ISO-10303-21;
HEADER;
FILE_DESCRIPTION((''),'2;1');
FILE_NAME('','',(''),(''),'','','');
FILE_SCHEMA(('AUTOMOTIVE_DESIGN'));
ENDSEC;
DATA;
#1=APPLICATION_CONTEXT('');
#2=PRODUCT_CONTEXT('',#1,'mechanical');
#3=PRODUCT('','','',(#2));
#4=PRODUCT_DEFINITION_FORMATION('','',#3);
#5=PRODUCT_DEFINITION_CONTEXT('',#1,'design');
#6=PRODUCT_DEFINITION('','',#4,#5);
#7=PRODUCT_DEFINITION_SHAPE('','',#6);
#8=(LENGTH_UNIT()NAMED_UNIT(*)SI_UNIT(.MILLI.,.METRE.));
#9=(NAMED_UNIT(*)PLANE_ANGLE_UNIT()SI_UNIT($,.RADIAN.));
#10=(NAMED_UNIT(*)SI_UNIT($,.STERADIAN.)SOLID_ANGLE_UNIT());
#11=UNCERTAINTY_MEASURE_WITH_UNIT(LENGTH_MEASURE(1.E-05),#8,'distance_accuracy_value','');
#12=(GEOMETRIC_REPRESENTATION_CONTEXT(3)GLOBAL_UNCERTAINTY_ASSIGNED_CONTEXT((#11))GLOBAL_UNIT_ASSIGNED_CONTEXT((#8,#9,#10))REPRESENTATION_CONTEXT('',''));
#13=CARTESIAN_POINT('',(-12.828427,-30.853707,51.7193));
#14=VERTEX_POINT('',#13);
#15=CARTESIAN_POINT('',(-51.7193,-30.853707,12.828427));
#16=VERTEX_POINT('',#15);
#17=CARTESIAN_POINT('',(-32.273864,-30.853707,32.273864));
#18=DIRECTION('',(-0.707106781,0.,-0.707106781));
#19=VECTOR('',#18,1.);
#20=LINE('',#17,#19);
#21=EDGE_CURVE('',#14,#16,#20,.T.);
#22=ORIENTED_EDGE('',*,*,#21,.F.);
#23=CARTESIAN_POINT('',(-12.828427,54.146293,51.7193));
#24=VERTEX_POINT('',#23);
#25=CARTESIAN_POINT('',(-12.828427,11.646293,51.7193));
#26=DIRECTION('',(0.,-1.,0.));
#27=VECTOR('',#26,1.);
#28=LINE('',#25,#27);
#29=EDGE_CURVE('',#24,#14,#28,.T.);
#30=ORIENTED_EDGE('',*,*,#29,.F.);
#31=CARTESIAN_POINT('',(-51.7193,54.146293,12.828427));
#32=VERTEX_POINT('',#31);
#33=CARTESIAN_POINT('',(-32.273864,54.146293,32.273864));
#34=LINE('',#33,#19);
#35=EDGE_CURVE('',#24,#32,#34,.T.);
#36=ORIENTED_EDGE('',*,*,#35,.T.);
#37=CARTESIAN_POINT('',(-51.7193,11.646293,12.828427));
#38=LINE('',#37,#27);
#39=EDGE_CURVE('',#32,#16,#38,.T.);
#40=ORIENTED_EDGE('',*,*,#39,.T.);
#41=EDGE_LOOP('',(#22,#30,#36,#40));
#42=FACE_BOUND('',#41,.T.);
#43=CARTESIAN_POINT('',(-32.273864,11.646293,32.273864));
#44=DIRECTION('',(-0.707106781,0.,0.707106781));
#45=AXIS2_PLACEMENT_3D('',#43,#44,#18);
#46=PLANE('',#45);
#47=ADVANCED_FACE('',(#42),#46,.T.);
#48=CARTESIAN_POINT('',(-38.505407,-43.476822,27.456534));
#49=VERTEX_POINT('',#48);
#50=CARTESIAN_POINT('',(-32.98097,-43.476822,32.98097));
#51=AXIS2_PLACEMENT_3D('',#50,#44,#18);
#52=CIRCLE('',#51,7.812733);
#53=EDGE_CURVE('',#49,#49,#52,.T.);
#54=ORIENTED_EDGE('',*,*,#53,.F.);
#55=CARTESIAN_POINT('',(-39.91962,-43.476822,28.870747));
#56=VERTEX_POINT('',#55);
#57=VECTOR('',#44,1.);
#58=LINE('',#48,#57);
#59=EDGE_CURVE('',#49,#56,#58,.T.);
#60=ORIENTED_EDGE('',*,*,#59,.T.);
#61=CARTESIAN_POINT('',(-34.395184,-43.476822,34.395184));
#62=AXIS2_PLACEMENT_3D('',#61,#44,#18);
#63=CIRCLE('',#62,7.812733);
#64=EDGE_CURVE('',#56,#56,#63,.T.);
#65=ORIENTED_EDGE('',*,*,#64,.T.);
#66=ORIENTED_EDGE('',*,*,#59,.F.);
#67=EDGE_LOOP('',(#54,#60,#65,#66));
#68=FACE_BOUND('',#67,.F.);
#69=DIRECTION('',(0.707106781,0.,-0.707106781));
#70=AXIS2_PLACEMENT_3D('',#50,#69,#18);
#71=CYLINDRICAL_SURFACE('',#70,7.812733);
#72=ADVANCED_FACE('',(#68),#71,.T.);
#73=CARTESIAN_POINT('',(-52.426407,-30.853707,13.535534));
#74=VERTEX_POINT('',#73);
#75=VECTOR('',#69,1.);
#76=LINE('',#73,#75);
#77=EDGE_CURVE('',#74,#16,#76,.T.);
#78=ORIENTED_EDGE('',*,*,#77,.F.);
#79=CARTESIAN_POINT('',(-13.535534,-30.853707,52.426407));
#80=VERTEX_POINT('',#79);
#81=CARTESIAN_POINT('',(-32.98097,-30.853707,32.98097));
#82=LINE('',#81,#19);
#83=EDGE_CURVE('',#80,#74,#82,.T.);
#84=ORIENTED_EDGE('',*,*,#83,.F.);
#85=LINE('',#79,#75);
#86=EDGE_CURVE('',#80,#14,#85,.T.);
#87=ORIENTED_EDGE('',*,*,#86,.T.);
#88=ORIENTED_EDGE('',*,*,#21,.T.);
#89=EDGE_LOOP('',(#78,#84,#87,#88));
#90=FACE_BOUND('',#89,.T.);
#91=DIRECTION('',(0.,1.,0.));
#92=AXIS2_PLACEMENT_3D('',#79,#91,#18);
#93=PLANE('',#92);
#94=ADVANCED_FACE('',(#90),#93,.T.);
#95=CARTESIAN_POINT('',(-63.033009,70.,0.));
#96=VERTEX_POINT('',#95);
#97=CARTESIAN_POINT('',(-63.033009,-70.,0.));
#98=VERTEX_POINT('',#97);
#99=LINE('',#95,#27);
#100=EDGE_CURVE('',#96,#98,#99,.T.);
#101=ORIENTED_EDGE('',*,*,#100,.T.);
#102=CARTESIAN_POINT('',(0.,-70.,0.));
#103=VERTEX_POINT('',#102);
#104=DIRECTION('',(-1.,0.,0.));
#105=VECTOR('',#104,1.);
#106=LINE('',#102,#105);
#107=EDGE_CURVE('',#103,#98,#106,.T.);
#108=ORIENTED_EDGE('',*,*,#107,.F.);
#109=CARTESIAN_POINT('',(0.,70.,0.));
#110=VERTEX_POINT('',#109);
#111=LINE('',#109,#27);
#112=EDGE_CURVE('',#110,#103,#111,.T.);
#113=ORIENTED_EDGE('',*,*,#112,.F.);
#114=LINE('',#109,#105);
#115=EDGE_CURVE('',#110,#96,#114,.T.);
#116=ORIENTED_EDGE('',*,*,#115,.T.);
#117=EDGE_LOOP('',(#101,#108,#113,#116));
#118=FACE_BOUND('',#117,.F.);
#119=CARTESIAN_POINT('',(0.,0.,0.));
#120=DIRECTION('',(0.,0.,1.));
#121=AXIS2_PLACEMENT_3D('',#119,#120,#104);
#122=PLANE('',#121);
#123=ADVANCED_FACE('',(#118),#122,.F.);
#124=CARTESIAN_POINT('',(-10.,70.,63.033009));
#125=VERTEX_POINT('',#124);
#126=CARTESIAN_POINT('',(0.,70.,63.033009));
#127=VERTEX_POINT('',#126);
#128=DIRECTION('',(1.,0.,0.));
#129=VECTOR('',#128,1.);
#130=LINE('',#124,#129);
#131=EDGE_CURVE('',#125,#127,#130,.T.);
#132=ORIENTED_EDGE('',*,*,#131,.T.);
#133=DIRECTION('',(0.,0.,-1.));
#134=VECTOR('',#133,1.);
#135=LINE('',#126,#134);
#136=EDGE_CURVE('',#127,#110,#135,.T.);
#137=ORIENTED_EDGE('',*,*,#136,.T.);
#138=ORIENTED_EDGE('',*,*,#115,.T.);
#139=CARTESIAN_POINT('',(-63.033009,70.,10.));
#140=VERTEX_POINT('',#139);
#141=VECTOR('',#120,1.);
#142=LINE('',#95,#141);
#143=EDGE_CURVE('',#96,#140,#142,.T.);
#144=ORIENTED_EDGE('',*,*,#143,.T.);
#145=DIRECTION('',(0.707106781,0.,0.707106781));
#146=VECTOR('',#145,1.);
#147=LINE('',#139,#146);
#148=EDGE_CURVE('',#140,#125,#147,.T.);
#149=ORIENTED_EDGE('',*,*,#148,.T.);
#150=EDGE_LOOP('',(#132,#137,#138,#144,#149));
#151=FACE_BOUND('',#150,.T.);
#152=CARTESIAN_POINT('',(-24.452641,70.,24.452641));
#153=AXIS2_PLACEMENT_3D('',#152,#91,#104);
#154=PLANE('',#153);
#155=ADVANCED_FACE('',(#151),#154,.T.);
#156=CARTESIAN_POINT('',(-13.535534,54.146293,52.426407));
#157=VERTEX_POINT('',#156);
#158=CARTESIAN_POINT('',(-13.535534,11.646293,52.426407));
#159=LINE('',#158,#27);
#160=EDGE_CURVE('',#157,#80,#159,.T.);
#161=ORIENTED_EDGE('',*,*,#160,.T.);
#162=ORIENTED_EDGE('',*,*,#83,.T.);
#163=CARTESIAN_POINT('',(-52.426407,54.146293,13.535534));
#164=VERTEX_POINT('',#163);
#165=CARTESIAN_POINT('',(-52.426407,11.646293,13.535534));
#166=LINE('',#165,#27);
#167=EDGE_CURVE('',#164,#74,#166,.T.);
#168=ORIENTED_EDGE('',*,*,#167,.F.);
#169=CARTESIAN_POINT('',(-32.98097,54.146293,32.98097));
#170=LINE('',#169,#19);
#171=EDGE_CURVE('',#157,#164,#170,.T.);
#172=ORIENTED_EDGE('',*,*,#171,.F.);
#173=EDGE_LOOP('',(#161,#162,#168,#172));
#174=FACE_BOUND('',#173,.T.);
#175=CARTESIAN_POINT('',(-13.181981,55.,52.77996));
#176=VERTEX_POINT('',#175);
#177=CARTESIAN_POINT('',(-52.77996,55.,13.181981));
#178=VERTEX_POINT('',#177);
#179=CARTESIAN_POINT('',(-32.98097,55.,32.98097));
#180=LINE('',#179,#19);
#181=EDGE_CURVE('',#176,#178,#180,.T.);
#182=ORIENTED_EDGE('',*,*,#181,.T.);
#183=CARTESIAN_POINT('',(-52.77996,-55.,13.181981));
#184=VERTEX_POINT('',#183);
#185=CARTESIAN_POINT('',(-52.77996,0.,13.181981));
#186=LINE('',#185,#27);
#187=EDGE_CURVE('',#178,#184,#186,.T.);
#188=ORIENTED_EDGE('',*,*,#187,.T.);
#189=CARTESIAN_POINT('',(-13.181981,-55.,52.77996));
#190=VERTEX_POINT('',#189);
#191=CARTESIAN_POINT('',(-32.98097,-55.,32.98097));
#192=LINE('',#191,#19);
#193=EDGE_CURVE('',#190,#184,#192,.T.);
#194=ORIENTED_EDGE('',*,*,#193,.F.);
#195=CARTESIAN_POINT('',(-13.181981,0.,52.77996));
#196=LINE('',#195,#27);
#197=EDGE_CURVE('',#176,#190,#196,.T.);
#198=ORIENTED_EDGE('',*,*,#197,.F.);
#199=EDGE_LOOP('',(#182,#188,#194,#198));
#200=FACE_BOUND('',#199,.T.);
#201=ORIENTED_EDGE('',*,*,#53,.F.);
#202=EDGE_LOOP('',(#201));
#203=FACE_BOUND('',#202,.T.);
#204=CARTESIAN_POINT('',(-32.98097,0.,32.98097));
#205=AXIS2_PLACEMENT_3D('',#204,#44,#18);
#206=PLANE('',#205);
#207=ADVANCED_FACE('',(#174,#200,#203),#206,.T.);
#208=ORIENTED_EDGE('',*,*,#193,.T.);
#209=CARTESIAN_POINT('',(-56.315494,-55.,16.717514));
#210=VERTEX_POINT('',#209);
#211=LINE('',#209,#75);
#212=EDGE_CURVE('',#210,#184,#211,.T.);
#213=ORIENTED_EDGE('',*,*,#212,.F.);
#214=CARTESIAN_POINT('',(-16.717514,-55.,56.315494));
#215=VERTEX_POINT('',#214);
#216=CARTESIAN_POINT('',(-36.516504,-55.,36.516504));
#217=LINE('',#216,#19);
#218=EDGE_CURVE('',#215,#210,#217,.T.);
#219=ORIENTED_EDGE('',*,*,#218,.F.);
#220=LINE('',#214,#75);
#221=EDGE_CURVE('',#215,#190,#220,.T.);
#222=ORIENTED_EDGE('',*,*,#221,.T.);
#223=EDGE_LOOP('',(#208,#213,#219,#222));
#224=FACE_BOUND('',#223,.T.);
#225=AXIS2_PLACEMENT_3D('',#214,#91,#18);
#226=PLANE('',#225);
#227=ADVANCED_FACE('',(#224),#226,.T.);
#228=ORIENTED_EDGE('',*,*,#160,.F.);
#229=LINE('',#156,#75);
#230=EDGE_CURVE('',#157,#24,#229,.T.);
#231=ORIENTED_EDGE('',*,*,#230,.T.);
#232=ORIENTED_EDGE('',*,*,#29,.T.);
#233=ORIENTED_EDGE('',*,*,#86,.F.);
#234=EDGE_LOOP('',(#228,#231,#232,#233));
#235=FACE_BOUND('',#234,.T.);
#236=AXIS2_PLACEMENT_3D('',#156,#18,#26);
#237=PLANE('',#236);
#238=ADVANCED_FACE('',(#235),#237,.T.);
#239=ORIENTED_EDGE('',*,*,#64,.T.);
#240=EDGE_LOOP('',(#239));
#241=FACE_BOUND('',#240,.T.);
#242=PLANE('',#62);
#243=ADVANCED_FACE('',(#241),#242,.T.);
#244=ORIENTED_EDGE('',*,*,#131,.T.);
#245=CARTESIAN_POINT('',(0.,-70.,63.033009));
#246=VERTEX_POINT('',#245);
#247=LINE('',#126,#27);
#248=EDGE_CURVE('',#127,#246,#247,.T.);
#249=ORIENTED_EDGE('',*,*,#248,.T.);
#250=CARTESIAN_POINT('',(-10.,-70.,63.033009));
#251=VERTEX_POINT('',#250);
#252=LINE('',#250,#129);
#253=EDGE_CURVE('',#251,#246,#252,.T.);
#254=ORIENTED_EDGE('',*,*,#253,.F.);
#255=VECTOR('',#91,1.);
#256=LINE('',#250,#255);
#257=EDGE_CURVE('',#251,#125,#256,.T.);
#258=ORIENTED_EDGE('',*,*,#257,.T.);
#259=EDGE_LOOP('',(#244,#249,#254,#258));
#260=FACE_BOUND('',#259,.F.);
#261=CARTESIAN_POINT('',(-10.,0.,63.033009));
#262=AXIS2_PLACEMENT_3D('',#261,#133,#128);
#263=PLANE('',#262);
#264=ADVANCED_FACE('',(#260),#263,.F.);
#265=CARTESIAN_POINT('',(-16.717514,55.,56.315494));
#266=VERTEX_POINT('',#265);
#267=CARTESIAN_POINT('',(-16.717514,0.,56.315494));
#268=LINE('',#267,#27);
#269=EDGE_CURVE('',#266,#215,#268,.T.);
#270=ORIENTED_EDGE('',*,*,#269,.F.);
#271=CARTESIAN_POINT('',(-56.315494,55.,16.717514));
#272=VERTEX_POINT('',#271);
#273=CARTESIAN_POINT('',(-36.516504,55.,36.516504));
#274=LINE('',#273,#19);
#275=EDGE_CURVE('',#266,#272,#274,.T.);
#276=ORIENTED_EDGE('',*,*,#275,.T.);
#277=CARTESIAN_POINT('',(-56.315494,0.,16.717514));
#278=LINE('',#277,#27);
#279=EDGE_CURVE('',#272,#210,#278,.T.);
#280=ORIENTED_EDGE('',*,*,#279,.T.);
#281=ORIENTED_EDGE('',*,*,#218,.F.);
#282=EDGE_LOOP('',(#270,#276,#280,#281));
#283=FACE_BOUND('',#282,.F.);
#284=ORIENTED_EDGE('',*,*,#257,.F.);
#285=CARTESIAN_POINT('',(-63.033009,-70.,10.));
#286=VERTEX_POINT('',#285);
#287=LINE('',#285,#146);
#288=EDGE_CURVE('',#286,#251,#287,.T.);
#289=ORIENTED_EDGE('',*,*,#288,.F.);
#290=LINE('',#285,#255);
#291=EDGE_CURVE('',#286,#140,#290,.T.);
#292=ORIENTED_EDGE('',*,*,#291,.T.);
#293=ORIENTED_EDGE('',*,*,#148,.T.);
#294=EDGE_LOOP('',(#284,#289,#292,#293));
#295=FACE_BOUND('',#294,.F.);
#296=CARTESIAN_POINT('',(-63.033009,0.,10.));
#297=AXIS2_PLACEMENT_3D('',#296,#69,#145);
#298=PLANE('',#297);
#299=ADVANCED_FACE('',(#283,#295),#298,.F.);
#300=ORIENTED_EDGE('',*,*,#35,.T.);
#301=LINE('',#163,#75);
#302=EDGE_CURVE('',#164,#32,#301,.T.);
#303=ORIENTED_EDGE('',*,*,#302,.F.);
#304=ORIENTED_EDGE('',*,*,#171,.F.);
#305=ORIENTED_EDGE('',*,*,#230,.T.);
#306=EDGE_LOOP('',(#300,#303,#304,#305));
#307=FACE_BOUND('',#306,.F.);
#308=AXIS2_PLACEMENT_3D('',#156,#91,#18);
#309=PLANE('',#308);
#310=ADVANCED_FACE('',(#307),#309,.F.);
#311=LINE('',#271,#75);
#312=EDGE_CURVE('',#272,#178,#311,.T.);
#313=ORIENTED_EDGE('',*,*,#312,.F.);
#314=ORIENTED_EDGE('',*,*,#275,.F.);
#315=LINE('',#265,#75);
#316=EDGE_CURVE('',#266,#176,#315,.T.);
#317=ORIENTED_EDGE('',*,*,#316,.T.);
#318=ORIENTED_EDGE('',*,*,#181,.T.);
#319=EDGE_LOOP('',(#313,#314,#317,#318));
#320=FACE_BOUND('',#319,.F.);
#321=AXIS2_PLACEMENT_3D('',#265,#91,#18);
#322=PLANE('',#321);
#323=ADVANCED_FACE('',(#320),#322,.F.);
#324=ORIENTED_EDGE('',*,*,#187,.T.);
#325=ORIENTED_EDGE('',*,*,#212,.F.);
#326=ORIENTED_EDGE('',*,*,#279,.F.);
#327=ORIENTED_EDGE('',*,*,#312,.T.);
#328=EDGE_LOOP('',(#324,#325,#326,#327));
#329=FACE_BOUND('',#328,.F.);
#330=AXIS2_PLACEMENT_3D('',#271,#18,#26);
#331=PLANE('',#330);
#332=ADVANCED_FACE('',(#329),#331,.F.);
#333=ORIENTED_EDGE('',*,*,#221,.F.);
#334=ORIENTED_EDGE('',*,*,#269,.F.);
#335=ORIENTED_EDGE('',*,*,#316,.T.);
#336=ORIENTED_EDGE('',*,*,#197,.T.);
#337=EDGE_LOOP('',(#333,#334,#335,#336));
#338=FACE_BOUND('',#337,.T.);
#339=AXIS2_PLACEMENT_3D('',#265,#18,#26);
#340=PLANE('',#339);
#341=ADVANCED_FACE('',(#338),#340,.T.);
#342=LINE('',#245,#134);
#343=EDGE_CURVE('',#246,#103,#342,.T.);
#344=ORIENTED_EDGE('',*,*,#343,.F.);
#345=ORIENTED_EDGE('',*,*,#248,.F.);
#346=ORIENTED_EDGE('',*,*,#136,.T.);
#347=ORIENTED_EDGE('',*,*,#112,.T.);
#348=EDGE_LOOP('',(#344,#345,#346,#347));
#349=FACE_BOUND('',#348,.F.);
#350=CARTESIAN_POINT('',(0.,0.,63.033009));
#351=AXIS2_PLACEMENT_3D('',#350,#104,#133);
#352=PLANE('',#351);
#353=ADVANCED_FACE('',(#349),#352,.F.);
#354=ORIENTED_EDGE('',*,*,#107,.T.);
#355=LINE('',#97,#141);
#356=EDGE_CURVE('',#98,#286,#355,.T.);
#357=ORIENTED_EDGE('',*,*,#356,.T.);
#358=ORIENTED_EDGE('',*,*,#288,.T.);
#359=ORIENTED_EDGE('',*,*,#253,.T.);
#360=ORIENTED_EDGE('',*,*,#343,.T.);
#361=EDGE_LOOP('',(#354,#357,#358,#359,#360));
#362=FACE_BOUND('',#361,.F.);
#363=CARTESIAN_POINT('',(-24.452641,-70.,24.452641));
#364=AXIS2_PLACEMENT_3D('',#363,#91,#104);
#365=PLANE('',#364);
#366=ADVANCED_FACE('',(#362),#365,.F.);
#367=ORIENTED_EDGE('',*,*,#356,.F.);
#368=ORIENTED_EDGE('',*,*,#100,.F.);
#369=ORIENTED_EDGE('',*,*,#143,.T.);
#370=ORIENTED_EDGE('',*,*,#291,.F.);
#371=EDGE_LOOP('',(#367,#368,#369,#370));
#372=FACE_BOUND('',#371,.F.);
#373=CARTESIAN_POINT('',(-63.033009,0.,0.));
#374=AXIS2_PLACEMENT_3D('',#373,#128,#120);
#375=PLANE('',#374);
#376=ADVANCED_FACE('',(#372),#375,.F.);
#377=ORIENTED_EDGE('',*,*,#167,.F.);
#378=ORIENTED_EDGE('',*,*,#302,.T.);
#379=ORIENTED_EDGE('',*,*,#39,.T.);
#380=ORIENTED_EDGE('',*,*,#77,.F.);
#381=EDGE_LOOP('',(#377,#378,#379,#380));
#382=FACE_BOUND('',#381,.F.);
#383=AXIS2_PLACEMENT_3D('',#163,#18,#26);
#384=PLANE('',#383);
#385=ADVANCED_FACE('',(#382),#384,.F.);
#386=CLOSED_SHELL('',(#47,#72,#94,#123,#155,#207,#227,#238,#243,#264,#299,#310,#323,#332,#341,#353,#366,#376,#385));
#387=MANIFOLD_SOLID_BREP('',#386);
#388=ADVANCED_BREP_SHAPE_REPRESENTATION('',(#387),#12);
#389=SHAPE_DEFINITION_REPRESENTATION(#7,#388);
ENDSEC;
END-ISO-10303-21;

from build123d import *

# Parameters (mm, degrees)
PAD_DEPTH       = 70
PAD_DEPTH_BACK  = 70
SKETCH001_W     = 56
SKETCH001_H     = 110
POCKET_DEPTH    = 5
SKETCH002_W     = 55
SKETCH002_H     = 85
POCKET001_DEPTH = 1
SKETCH003_R     = 7.812733
PAD001_DEPTH    = 2


with BuildPart() as part:
    # Sketch → Pad (new body, two sides)
    with BuildSketch(Plane.XZ) as pad_sk:
        Polygon((-63.033008589, 0), (-63.033008589, 10), (-10, 63.033008589), (0, 63.033008589), (0, 0), align=None)
    extrude(amount=PAD_DEPTH)
    extrude(pad_sk.sketch, amount=-PAD_DEPTH_BACK)

    # Sketch001 (on Face2 of Pad) → Pocket (cut)
    with BuildSketch(Plane(origin=(-36.5165042945, 0, 36.5165042945), x_dir=(-0.7071067812, 0, -0.7071067812), z_dir=(-0.7071067812, 0, 0.7071067812))):
        Rectangle(SKETCH001_W, SKETCH001_H)
    extrude(amount=-POCKET_DEPTH, mode=Mode.SUBTRACT)

    # Sketch002 (on Face12 of Pocket) → Pocket001 (cut)
    with BuildSketch(Plane(origin=(-32.9809703886, 0, 32.9809703886), x_dir=(-0.7071067812, 0, -0.7071067812), z_dir=(-0.7071067812, 0, 0.7071067812))):
        with Locations((0, -11.6462930524)):
            Rectangle(SKETCH002_W, SKETCH002_H)
    extrude(amount=-POCKET001_DEPTH, mode=Mode.SUBTRACT)

    # Sketch003 (on Face12 of Pocket001) → Pad001 (join)
    with BuildSketch(Plane(origin=(-32.9809703886, 0, 32.9809703886), x_dir=(-0.7071067812, 0, -0.7071067812), z_dir=(-0.7071067812, 0, 0.7071067812))):
        with Locations((0, 43.476822)):
            Circle(SKETCH003_R)
    extrude(amount=PAD001_DEPTH)


solid = part.part
